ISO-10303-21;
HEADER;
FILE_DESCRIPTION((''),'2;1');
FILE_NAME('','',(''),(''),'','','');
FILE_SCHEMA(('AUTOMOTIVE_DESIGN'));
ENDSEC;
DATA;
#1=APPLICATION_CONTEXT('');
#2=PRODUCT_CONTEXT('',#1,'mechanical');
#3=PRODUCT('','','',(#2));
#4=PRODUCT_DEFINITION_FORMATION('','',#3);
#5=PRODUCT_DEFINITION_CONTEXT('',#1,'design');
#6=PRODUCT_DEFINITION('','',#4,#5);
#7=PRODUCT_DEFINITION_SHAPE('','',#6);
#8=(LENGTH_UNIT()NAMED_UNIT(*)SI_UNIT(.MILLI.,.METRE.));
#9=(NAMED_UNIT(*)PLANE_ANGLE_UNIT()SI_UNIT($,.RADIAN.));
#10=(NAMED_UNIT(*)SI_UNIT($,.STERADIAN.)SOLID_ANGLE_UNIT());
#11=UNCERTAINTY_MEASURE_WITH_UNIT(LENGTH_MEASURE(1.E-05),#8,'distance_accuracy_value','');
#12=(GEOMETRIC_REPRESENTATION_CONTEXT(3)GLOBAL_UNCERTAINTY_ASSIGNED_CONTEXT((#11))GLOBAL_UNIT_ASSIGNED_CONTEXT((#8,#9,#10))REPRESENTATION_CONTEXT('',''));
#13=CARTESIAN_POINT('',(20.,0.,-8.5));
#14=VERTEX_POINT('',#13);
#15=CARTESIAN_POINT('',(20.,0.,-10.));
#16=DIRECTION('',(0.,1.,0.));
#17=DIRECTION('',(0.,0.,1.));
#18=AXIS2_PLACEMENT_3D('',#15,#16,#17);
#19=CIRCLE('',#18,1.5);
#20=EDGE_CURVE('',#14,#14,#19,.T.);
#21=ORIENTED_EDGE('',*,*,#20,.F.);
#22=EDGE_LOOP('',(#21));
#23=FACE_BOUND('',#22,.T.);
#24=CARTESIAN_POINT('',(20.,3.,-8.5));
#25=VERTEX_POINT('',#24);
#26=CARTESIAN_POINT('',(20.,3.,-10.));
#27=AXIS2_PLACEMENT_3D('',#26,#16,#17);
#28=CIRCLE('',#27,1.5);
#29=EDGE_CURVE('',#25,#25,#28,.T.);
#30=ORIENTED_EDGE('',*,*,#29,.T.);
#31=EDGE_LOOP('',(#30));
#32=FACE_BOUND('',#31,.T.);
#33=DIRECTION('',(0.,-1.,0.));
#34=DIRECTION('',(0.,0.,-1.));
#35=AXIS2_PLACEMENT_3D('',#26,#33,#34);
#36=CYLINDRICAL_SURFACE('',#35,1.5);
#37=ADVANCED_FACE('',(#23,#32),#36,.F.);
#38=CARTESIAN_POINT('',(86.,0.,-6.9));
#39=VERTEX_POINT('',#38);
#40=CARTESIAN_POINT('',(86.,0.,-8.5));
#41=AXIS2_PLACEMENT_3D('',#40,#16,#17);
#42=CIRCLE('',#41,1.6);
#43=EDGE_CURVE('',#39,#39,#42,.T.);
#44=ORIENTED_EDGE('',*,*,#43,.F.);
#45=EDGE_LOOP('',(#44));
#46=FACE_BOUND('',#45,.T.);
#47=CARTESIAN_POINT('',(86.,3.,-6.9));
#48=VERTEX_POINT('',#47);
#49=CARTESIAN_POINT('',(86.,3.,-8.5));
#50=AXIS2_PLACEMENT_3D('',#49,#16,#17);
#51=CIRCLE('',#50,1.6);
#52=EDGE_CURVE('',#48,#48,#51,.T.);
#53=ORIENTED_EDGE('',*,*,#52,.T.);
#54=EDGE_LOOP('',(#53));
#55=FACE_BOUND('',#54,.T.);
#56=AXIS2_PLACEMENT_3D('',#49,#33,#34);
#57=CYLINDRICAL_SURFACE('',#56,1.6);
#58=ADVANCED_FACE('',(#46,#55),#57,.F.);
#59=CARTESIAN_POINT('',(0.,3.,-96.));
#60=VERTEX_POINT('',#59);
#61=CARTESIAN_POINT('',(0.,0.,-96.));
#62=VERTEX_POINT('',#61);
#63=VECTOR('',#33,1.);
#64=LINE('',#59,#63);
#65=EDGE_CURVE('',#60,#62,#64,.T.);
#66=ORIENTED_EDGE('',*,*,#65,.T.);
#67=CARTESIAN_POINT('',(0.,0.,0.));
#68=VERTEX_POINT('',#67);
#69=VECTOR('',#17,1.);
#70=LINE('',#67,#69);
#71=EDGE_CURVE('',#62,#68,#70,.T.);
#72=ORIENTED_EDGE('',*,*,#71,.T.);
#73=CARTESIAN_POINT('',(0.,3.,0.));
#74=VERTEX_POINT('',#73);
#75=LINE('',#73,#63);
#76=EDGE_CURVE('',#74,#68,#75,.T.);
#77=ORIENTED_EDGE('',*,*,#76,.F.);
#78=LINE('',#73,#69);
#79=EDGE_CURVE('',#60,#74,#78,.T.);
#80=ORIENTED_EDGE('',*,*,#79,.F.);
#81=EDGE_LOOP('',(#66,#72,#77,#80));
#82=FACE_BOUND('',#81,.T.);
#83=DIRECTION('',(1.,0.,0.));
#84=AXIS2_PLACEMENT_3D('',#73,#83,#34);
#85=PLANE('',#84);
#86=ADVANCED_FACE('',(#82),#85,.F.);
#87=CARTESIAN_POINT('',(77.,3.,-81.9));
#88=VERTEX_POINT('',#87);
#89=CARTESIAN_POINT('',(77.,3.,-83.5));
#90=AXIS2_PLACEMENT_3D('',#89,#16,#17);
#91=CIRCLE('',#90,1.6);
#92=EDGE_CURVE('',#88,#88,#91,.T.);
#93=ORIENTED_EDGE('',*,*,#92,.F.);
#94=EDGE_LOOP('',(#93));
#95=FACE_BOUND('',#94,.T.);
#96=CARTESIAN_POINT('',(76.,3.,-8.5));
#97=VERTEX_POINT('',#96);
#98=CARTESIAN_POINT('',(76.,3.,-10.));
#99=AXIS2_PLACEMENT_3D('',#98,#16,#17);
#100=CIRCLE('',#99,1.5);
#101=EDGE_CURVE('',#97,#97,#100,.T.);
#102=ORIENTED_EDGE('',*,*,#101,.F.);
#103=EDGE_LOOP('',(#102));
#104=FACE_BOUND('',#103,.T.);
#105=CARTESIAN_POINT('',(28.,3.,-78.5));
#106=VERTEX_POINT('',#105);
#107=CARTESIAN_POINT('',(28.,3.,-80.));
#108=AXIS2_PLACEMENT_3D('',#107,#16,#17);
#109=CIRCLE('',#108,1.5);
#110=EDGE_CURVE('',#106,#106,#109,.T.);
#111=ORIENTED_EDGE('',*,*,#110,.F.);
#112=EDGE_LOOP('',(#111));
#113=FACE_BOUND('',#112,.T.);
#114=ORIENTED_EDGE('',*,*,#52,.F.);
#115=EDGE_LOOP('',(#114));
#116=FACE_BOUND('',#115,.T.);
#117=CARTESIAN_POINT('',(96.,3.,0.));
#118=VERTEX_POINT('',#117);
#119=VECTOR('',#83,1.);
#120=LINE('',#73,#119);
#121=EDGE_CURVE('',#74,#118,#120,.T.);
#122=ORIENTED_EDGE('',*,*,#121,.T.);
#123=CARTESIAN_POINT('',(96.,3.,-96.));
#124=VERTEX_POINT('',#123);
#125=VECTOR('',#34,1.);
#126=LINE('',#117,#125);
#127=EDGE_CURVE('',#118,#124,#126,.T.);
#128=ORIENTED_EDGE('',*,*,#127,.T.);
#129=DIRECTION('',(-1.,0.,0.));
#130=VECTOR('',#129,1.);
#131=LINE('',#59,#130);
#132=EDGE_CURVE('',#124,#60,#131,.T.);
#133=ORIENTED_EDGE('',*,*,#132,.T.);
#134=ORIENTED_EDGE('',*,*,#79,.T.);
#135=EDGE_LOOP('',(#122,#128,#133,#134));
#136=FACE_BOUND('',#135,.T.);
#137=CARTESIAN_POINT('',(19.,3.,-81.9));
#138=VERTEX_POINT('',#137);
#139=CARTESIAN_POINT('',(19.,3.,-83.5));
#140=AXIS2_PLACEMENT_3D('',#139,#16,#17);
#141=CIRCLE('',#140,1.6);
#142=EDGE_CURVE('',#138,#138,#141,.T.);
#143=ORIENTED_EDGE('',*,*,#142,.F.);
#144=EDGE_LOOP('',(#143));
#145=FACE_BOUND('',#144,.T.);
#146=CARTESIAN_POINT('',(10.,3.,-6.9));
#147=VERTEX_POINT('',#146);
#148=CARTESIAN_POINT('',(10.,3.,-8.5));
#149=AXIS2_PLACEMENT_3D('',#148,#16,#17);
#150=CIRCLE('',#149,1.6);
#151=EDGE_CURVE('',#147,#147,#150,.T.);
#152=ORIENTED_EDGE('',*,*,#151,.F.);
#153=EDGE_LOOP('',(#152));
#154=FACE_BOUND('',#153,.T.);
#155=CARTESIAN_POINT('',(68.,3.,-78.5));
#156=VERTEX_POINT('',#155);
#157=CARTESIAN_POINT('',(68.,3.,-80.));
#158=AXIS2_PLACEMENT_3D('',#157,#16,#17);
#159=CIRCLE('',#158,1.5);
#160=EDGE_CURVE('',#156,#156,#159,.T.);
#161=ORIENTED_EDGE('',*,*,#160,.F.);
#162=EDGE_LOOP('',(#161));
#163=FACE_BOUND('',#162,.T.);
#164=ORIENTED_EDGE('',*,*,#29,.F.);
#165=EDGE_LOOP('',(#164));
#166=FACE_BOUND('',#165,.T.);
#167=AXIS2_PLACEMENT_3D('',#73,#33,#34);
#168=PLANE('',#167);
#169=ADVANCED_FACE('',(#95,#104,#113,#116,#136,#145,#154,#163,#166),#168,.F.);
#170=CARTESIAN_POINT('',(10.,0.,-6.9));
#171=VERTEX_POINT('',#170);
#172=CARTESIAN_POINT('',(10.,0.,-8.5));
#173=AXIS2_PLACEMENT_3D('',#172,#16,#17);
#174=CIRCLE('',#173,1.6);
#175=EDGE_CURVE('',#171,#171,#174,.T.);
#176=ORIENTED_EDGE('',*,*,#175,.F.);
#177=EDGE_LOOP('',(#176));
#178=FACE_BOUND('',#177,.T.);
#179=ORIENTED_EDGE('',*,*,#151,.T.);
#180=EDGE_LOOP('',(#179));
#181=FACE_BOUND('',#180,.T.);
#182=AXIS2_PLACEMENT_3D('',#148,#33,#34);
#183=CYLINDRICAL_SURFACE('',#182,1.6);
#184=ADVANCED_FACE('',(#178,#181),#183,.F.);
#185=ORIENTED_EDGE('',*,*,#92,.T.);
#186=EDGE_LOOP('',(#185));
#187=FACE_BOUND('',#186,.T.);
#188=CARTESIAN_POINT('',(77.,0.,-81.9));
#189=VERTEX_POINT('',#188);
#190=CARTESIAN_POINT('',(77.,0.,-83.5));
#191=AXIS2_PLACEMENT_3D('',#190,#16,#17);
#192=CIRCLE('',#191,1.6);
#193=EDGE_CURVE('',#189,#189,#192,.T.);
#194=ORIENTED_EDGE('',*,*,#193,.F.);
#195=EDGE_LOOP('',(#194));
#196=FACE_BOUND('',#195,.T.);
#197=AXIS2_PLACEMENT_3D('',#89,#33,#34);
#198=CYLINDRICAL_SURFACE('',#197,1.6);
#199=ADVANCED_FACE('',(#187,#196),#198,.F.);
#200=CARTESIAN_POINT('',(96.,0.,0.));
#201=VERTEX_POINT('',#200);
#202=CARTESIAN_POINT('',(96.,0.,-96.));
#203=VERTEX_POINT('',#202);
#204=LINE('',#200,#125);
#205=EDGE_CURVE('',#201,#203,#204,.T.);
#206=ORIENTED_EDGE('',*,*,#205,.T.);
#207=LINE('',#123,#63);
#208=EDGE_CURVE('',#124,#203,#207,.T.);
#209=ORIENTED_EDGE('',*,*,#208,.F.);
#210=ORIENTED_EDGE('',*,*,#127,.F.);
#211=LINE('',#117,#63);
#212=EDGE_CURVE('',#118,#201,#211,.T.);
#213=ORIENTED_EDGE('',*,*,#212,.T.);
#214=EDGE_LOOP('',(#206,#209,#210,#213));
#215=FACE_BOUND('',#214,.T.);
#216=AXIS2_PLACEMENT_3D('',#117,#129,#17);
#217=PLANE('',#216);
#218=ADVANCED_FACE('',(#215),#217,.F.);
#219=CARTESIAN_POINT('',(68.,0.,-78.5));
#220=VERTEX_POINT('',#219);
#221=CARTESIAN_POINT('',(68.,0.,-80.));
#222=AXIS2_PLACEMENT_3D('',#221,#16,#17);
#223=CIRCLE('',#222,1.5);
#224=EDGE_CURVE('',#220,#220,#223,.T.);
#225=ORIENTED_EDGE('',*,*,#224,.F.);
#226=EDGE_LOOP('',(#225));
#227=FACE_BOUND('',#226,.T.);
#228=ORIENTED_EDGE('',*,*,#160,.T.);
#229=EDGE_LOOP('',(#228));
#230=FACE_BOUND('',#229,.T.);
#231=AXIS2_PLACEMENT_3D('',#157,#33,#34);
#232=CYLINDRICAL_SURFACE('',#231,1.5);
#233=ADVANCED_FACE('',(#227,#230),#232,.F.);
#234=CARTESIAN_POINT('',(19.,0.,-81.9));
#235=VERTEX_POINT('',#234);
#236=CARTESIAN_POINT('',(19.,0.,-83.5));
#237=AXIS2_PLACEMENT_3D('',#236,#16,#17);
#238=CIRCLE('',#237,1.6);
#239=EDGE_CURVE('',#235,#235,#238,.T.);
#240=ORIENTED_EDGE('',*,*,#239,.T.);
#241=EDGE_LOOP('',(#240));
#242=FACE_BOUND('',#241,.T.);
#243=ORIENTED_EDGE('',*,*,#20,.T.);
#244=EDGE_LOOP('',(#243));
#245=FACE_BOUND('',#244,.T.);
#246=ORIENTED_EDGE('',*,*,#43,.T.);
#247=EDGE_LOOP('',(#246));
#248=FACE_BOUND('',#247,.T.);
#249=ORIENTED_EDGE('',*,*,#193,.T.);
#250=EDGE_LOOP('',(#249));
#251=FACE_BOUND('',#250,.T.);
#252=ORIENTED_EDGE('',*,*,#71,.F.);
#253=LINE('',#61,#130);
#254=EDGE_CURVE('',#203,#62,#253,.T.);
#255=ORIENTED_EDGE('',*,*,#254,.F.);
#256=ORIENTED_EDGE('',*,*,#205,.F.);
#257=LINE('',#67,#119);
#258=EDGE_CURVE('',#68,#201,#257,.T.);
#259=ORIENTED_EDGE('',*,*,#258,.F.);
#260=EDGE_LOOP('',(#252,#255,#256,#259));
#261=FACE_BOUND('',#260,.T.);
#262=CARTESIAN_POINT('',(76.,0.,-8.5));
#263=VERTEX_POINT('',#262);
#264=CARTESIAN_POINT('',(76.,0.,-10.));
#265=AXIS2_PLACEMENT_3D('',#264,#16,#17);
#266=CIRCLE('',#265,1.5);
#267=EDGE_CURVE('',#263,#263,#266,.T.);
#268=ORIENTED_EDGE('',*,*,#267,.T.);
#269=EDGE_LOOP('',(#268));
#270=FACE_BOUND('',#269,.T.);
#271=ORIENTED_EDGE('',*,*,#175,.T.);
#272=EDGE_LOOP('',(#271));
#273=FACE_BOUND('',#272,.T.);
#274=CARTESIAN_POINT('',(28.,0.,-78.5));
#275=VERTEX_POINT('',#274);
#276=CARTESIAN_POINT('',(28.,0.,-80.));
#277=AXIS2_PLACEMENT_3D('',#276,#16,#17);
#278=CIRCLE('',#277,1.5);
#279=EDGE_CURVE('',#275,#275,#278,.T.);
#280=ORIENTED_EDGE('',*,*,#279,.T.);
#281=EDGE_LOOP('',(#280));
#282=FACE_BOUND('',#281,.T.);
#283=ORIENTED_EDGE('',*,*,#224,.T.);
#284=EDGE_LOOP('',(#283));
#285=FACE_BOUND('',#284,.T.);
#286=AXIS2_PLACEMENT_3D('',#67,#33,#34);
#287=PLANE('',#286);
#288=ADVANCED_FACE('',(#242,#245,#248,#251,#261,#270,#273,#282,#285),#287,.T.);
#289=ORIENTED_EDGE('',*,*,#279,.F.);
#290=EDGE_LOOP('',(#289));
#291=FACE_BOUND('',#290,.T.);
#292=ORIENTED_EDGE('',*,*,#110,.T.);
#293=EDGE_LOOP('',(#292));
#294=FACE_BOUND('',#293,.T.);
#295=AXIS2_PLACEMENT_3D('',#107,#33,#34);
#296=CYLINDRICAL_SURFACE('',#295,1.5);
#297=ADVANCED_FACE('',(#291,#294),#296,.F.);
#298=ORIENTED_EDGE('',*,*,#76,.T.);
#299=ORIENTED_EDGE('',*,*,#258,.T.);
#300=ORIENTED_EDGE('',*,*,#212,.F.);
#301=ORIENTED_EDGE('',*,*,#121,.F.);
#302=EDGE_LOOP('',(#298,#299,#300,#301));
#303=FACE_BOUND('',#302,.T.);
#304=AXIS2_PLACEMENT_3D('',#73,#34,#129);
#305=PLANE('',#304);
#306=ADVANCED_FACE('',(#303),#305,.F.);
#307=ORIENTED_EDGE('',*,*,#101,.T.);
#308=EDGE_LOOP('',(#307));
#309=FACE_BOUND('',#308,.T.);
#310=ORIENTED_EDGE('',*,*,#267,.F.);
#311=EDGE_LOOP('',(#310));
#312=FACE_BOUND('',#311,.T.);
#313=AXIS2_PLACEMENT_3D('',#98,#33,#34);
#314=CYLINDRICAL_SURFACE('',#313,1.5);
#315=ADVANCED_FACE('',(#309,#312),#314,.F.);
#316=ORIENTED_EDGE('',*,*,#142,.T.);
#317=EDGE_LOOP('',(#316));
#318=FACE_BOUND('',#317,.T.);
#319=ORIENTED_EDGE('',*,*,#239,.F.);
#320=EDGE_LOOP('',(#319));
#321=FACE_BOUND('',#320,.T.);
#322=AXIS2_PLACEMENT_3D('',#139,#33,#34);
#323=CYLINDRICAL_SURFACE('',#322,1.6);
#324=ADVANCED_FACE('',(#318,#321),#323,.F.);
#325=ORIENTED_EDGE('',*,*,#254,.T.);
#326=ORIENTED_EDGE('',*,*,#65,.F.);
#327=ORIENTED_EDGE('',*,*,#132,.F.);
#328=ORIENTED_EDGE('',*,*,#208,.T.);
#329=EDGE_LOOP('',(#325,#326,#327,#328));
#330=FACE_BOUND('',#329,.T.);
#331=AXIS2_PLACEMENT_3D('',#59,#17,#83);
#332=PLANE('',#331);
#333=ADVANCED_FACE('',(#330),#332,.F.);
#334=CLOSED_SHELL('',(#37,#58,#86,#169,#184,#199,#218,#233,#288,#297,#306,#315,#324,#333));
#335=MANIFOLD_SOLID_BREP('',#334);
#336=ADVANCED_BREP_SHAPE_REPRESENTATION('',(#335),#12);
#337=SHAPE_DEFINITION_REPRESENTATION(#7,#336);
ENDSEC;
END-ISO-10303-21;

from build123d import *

# Parameters (mm, degrees)
SKETCH1_W           = 96
SKETCH1_H           = 96
SKETCH1_R           = 1.6
SKETCH1_R_2         = 1.5
BOSS_EXTRUDE1_DEPTH = 3


with BuildPart() as part:
    # Sketch1 → Boss-Extrude1 (new body)
    with BuildSketch(Plane(origin=(0, 0, 0), x_dir=(1, 0, 0), z_dir=(0, 1, 0))):
        with Locations((48, 48)):
            Rectangle(SKETCH1_W, SKETCH1_H)
        with Locations((19, 83.5)):
            Circle(SKETCH1_R, mode=Mode.SUBTRACT)
        with Locations((77, 83.5)):
            Circle(SKETCH1_R, mode=Mode.SUBTRACT)
        with Locations((10, 8.5)):
            Circle(SKETCH1_R, mode=Mode.SUBTRACT)
        with Locations((86, 8.5)):
            Circle(SKETCH1_R, mode=Mode.SUBTRACT)
        with Locations((28, 80)):
            Circle(SKETCH1_R_2, mode=Mode.SUBTRACT)
        with Locations((68, 80)):
            Circle(SKETCH1_R_2, mode=Mode.SUBTRACT)
        with Locations((20, 10)):
            Circle(SKETCH1_R_2, mode=Mode.SUBTRACT)
        with Locations((76, 10)):
            Circle(SKETCH1_R_2, mode=Mode.SUBTRACT)
    extrude(amount=BOSS_EXTRUDE1_DEPTH)


solid = part.part
